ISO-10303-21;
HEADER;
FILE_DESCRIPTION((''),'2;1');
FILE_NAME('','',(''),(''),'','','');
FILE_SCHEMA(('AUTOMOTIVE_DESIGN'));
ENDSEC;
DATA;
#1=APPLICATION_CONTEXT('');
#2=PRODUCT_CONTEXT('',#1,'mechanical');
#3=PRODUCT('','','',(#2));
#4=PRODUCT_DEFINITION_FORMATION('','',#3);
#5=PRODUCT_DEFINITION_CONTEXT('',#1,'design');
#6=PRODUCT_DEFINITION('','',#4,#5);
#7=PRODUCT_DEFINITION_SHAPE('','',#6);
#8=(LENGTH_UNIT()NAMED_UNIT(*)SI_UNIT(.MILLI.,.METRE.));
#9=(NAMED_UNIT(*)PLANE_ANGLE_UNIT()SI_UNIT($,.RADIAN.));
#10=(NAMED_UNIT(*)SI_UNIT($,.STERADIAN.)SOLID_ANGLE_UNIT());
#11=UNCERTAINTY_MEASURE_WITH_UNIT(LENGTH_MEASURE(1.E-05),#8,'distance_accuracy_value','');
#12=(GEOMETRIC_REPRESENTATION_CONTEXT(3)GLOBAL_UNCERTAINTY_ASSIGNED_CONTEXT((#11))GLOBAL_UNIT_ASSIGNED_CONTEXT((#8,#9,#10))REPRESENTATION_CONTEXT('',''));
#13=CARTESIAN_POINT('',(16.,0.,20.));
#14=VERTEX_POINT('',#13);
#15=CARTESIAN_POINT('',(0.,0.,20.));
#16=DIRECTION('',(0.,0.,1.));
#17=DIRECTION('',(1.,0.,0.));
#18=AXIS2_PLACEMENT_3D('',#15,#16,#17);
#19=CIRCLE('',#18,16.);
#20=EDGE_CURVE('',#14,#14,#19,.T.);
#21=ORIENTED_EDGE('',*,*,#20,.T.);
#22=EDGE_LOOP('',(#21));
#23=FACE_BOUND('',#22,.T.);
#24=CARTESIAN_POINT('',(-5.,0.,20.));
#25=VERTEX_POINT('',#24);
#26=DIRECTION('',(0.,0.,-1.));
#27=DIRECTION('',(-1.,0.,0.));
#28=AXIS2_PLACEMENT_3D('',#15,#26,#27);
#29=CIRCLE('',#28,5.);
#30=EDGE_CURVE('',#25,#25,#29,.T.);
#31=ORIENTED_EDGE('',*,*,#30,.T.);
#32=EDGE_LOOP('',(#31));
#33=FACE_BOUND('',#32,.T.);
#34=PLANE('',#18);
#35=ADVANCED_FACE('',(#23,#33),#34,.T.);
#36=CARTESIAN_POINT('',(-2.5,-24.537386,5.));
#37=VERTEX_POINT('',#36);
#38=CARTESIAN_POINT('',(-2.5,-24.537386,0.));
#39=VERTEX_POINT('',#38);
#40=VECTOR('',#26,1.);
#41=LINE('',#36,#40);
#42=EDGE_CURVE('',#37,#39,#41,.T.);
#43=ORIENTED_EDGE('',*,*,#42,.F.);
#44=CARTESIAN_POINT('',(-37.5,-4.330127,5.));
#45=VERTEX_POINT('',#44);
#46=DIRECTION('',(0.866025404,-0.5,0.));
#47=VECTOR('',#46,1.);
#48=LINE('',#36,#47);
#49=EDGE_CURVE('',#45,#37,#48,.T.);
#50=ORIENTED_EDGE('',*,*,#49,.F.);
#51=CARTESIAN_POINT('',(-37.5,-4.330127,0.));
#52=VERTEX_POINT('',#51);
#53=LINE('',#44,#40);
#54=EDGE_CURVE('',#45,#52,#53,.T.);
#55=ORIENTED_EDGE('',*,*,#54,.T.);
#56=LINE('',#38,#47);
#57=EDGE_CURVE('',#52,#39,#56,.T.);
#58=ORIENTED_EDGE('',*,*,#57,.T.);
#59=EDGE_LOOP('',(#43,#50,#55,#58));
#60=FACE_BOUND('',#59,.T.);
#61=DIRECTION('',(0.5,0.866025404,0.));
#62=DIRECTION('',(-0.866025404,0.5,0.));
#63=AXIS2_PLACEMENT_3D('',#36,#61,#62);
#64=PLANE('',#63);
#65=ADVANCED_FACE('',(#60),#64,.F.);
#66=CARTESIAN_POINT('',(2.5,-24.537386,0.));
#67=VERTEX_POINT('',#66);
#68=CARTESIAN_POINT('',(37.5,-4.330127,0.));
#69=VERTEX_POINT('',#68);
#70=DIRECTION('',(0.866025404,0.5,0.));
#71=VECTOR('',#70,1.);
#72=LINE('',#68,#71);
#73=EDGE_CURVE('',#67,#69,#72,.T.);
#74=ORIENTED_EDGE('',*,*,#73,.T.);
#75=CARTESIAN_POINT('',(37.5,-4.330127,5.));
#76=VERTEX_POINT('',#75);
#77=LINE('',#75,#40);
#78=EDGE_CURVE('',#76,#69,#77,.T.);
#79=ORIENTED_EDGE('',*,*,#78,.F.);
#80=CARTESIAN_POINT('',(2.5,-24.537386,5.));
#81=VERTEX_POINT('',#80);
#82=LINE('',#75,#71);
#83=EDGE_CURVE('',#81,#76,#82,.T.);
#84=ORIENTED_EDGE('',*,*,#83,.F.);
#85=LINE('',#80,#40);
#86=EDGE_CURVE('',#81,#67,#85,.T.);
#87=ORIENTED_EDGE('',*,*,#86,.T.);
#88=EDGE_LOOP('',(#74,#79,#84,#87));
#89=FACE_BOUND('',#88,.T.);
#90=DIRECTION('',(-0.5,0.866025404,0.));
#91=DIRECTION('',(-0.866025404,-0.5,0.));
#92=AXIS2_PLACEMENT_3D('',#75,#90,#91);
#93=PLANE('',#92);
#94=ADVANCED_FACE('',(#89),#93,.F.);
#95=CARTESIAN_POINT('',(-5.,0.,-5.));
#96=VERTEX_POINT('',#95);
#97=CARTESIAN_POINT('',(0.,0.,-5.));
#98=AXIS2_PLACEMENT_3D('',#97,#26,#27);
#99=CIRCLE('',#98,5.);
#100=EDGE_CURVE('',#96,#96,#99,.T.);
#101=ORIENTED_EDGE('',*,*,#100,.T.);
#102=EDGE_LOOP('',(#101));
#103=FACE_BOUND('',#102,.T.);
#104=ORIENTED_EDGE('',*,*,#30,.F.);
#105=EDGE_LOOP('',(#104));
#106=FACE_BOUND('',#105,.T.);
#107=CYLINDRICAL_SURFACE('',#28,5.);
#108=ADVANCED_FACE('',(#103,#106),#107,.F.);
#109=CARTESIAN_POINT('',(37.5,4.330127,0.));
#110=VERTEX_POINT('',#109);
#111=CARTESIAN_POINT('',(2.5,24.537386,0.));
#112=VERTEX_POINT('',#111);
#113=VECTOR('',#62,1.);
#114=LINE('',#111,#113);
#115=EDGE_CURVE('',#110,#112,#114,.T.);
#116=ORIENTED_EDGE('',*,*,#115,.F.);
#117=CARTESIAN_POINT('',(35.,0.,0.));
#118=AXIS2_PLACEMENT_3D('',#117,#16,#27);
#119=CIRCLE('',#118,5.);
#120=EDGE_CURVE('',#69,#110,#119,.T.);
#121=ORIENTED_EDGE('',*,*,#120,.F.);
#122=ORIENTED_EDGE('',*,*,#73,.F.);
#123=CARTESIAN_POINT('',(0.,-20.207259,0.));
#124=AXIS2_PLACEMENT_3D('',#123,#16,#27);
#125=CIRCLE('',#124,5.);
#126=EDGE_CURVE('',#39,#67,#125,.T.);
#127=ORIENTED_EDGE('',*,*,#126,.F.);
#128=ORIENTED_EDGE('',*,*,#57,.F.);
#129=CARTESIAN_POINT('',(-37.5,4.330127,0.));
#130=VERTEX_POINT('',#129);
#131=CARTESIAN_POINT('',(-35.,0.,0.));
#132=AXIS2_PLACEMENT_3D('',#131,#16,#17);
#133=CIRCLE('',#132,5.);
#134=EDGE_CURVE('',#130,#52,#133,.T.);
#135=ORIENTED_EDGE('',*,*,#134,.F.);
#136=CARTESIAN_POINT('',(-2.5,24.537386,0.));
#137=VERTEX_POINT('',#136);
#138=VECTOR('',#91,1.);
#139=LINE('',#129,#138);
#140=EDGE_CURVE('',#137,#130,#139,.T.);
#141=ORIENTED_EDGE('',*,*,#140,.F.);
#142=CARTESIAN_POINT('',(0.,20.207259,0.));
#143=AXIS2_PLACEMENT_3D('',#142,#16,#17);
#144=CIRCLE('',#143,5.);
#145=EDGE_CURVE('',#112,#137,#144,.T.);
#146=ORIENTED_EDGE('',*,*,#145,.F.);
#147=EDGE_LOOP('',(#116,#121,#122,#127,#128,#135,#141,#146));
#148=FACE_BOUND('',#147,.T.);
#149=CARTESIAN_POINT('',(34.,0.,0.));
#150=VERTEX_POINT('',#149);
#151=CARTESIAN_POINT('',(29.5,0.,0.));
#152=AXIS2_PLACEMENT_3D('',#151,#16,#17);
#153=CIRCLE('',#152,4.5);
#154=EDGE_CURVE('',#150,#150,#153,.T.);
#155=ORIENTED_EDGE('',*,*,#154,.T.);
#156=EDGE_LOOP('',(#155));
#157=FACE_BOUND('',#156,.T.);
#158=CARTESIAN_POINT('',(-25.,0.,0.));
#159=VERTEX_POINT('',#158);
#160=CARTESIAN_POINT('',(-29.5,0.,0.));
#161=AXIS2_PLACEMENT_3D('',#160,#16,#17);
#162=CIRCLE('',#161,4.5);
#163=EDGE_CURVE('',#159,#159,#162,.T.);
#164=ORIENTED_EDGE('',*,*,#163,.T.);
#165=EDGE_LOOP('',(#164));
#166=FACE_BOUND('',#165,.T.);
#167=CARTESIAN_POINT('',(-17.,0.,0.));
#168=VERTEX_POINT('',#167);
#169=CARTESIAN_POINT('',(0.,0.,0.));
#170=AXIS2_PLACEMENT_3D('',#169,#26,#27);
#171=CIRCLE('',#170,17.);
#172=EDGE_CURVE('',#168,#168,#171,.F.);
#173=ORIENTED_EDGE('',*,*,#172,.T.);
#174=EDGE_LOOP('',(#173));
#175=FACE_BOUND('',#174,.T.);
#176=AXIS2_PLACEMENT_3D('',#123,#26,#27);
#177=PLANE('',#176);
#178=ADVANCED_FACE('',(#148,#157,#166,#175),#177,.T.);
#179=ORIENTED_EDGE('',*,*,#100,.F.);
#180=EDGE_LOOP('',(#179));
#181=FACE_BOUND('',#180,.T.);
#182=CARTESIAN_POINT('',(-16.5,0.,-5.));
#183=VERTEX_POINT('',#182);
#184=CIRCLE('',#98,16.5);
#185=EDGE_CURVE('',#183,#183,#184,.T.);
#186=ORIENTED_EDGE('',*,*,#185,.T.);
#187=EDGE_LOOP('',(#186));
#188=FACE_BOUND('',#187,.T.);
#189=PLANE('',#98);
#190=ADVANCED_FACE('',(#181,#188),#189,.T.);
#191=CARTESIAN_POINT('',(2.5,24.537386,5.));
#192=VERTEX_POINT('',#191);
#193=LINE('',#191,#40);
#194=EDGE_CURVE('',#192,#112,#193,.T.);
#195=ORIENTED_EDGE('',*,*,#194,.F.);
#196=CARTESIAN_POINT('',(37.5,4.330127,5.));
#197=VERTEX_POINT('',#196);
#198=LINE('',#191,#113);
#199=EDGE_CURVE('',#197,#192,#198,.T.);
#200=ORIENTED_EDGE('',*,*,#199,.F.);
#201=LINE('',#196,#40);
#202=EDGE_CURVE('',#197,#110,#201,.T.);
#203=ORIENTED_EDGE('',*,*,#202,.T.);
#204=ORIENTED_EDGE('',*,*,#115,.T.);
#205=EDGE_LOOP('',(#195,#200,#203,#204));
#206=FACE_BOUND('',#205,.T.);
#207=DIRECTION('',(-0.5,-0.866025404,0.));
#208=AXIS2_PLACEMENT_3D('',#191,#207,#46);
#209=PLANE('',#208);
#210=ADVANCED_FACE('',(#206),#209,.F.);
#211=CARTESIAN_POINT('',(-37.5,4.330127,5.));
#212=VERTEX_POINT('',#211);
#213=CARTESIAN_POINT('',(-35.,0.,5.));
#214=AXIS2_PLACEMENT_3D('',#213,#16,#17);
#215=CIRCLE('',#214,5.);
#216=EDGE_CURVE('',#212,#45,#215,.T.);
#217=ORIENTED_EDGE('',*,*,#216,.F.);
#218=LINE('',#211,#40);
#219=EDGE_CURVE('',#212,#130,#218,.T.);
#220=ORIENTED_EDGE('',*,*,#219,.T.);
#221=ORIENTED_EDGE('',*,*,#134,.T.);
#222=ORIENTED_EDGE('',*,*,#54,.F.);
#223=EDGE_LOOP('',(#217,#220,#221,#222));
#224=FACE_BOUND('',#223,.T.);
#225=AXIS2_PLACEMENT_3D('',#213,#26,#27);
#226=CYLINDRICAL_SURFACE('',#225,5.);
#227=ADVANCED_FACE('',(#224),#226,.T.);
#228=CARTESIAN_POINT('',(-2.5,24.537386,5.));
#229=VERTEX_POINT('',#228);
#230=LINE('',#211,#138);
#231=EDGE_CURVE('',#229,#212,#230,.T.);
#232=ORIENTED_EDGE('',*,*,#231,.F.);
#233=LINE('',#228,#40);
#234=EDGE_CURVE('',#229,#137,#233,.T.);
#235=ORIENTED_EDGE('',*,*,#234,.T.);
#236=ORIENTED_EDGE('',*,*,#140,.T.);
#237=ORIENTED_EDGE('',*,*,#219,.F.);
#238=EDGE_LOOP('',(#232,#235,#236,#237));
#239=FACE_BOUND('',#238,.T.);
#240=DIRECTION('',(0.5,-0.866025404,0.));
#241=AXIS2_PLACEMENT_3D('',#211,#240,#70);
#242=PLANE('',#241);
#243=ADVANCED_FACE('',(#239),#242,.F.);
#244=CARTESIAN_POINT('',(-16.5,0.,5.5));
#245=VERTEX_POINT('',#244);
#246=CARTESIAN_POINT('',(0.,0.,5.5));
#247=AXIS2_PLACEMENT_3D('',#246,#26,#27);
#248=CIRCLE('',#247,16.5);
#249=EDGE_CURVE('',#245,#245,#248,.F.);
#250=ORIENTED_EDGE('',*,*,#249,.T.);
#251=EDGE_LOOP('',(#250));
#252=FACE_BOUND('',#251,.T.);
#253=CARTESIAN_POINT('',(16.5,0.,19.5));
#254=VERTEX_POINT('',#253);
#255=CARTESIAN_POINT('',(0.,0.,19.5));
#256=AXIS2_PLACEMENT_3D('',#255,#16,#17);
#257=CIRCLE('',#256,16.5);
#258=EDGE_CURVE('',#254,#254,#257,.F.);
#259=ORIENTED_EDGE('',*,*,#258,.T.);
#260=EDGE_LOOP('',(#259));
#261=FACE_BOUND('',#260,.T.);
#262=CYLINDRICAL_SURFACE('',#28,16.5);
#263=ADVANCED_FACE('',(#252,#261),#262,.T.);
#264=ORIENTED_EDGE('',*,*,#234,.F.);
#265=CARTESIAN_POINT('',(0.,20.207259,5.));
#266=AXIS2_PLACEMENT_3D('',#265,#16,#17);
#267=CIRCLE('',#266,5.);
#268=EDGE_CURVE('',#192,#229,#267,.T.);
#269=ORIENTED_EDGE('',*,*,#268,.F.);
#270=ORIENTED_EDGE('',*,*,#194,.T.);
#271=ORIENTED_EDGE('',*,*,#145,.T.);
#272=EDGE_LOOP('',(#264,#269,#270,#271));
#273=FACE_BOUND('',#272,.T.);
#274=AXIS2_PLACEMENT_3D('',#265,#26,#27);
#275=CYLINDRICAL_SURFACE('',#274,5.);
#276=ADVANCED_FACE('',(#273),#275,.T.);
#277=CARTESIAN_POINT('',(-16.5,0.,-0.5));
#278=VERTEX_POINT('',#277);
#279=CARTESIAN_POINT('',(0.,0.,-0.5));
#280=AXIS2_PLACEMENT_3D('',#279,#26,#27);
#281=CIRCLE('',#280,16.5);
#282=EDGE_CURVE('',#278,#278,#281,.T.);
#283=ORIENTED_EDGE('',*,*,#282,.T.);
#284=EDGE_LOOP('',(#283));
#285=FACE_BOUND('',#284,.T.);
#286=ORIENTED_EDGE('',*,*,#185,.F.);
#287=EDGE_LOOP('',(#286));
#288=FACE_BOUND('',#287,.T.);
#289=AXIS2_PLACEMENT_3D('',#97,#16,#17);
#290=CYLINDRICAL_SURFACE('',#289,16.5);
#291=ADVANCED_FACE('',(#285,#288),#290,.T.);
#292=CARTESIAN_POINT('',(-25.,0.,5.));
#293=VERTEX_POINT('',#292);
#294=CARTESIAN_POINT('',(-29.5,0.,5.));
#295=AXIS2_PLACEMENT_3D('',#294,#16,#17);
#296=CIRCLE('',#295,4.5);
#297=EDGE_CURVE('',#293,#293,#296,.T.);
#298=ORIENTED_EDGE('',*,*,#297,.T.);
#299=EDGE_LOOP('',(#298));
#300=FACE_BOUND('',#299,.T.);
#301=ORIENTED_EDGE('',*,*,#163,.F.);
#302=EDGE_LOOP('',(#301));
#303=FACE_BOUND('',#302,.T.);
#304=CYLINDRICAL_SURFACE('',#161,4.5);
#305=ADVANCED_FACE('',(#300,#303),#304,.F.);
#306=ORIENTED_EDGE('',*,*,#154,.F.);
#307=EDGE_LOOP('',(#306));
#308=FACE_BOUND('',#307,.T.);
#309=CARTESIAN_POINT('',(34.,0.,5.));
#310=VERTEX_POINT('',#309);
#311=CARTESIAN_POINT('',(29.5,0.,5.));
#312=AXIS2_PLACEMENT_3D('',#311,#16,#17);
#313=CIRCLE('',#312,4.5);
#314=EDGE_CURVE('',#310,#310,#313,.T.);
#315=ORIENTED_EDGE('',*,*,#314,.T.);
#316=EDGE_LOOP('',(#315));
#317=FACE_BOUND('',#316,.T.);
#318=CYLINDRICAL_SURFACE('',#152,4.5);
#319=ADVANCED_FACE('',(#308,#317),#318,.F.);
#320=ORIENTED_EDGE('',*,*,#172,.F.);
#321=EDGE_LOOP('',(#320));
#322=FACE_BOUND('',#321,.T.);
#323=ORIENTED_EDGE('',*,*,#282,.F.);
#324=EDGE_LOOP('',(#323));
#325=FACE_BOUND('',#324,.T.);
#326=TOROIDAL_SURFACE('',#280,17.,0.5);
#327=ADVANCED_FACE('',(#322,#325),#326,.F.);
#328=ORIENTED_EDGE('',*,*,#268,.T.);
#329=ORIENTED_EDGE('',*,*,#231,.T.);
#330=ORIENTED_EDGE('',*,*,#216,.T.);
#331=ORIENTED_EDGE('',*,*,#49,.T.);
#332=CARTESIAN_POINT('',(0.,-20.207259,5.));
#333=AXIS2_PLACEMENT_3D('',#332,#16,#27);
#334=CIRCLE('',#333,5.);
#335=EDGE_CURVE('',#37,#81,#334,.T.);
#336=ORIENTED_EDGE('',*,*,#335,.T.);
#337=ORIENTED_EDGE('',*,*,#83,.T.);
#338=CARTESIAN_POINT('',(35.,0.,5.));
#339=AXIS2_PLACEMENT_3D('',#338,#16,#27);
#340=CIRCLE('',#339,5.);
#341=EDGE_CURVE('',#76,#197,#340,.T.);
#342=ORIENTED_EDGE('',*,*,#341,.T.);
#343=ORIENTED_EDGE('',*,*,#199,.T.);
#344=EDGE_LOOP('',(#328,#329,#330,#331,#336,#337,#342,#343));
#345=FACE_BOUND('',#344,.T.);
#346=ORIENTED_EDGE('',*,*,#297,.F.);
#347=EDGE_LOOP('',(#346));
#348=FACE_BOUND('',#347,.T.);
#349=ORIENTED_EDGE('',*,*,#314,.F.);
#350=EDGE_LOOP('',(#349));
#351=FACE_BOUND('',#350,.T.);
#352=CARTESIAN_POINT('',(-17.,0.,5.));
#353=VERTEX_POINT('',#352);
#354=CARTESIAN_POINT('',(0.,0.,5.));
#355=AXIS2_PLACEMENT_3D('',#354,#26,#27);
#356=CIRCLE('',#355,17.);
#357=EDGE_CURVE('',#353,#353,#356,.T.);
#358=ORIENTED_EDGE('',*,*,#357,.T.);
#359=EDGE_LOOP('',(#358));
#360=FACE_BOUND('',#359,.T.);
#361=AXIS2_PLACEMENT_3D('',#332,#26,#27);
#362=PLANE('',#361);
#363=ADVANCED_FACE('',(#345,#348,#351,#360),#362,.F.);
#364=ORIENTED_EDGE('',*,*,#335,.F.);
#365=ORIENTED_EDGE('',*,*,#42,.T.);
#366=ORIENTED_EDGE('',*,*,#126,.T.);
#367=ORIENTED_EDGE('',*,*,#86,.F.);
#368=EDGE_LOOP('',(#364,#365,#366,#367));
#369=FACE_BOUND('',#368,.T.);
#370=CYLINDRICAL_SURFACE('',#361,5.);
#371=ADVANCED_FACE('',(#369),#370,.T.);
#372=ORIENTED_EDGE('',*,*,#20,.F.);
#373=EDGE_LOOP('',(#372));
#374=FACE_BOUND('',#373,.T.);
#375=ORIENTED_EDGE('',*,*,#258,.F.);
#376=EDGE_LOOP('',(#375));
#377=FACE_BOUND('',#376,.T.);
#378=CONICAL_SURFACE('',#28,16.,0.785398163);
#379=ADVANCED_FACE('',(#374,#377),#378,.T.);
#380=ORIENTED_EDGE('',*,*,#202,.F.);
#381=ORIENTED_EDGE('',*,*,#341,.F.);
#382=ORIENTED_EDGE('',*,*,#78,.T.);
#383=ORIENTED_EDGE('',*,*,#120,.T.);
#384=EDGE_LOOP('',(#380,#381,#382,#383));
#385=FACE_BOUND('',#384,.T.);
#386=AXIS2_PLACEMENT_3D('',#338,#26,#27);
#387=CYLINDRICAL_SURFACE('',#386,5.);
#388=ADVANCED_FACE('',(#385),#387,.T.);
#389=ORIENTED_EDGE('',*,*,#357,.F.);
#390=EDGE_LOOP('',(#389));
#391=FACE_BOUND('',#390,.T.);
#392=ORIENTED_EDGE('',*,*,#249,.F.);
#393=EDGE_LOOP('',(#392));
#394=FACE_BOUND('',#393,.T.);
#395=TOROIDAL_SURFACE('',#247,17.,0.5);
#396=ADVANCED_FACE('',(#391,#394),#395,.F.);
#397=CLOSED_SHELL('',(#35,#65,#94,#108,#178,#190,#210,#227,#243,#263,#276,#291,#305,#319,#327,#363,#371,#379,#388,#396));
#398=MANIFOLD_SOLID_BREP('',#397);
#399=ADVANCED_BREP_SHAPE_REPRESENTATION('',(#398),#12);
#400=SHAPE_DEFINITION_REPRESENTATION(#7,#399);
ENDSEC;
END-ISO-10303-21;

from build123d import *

# Parameters (mm, degrees)
BOSS_EXTRU_1_DEPTH      = 5
ESQUISSE3_R             = 16.5
BOSS_EXTRU_2_DEPTH      = 15
ESQUISSE4_R             = 16.5
BOSS_EXTRU_3_DEPTH      = 5
ESQUISSE5_R             = 5
ENL_V_MAT_EXTRU_1_DEPTH = 26
ESQUISSE6_R             = 4.5
ENL_V_MAT_EXTRU_2_DEPTH = 5
CONG_1_R                = 0.5
CHANFREIN1_SIZE         = 0.5


with BuildPart() as part:
    # Esquisse2 → Boss.-Extru.1 (new body)
    with BuildSketch(Plane.XY):
        with BuildLine():
            Line((-37.5, 4.330127019), (-2.5, 24.537386441))
            ThreePointArc((-2.5, 24.537386441), (0, 25.207259422), (2.5, 24.537386441))
            Line((2.5, 24.537386441), (37.5, 4.330127019))
            ThreePointArc((37.5, 4.330127019), (40, 0), (37.5, -4.330127019))
            Line((37.5, -4.330127019), (2.5, -24.537386441))
            ThreePointArc((2.5, -24.537386441), (0, -25.207259422), (-2.5, -24.537386441))
            Line((-2.5, -24.537386441), (-37.5, -4.330127019))
            ThreePointArc((-37.5, -4.330127019), (-40, 0), (-37.5, 4.330127019))
        make_face()
    extrude(amount=BOSS_EXTRU_1_DEPTH)

    # Esquisse3 → Boss.-Extru.2 (add)
    with BuildSketch(Plane.XY.offset(5)):
        with Locations(Location((0, 0, 0), (0, 0, 180))):  # turned: the seam where the file's is
            Circle(ESQUISSE3_R)
    extrude(amount=BOSS_EXTRU_2_DEPTH)

    # Esquisse4 → Boss.-Extru.3 (add)
    with BuildSketch(Plane(origin=(0, 0, 0), x_dir=(-1, 0, 0), z_dir=(0, 0, -1))):
        Circle(ESQUISSE4_R)
    extrude(amount=BOSS_EXTRU_3_DEPTH)

    # Esquisse5 → Enlèv. mat.-Extru.1 (cut, through all)
    with BuildSketch(Plane(origin=(0, 0, -5), x_dir=(-1, 0, 0), z_dir=(0, 0, -1))):
        Circle(ESQUISSE5_R)
    extrude(amount=-ENL_V_MAT_EXTRU_1_DEPTH, mode=Mode.SUBTRACT)

    # Esquisse6 → Enlèv. mat.-Extru.2 (cut)
    with BuildSketch(Plane.XY.offset(5)):
        with Locations((29.5, 0)):
            Circle(ESQUISSE6_R)
        with Locations((-29.5, 0)):
            Circle(ESQUISSE6_R)
    extrude(amount=-ENL_V_MAT_EXTRU_2_DEPTH, mode=Mode.SUBTRACT)

    # Congé1
    cong_1_edges = [part.edges().sort_by_distance(p)[0] for p in [
        (16.5, 0, 5),
        (16.5, 0, 0),
    ]]
    fillet(cong_1_edges, radius=CONG_1_R)

    # Chanfrein1
    chanfrein1_edges = [part.edges().sort_by_distance(p)[0] for p in [
        (16.5, 0, 20),
    ]]
    chamfer(chanfrein1_edges, length=CHANFREIN1_SIZE)


solid = part.part
